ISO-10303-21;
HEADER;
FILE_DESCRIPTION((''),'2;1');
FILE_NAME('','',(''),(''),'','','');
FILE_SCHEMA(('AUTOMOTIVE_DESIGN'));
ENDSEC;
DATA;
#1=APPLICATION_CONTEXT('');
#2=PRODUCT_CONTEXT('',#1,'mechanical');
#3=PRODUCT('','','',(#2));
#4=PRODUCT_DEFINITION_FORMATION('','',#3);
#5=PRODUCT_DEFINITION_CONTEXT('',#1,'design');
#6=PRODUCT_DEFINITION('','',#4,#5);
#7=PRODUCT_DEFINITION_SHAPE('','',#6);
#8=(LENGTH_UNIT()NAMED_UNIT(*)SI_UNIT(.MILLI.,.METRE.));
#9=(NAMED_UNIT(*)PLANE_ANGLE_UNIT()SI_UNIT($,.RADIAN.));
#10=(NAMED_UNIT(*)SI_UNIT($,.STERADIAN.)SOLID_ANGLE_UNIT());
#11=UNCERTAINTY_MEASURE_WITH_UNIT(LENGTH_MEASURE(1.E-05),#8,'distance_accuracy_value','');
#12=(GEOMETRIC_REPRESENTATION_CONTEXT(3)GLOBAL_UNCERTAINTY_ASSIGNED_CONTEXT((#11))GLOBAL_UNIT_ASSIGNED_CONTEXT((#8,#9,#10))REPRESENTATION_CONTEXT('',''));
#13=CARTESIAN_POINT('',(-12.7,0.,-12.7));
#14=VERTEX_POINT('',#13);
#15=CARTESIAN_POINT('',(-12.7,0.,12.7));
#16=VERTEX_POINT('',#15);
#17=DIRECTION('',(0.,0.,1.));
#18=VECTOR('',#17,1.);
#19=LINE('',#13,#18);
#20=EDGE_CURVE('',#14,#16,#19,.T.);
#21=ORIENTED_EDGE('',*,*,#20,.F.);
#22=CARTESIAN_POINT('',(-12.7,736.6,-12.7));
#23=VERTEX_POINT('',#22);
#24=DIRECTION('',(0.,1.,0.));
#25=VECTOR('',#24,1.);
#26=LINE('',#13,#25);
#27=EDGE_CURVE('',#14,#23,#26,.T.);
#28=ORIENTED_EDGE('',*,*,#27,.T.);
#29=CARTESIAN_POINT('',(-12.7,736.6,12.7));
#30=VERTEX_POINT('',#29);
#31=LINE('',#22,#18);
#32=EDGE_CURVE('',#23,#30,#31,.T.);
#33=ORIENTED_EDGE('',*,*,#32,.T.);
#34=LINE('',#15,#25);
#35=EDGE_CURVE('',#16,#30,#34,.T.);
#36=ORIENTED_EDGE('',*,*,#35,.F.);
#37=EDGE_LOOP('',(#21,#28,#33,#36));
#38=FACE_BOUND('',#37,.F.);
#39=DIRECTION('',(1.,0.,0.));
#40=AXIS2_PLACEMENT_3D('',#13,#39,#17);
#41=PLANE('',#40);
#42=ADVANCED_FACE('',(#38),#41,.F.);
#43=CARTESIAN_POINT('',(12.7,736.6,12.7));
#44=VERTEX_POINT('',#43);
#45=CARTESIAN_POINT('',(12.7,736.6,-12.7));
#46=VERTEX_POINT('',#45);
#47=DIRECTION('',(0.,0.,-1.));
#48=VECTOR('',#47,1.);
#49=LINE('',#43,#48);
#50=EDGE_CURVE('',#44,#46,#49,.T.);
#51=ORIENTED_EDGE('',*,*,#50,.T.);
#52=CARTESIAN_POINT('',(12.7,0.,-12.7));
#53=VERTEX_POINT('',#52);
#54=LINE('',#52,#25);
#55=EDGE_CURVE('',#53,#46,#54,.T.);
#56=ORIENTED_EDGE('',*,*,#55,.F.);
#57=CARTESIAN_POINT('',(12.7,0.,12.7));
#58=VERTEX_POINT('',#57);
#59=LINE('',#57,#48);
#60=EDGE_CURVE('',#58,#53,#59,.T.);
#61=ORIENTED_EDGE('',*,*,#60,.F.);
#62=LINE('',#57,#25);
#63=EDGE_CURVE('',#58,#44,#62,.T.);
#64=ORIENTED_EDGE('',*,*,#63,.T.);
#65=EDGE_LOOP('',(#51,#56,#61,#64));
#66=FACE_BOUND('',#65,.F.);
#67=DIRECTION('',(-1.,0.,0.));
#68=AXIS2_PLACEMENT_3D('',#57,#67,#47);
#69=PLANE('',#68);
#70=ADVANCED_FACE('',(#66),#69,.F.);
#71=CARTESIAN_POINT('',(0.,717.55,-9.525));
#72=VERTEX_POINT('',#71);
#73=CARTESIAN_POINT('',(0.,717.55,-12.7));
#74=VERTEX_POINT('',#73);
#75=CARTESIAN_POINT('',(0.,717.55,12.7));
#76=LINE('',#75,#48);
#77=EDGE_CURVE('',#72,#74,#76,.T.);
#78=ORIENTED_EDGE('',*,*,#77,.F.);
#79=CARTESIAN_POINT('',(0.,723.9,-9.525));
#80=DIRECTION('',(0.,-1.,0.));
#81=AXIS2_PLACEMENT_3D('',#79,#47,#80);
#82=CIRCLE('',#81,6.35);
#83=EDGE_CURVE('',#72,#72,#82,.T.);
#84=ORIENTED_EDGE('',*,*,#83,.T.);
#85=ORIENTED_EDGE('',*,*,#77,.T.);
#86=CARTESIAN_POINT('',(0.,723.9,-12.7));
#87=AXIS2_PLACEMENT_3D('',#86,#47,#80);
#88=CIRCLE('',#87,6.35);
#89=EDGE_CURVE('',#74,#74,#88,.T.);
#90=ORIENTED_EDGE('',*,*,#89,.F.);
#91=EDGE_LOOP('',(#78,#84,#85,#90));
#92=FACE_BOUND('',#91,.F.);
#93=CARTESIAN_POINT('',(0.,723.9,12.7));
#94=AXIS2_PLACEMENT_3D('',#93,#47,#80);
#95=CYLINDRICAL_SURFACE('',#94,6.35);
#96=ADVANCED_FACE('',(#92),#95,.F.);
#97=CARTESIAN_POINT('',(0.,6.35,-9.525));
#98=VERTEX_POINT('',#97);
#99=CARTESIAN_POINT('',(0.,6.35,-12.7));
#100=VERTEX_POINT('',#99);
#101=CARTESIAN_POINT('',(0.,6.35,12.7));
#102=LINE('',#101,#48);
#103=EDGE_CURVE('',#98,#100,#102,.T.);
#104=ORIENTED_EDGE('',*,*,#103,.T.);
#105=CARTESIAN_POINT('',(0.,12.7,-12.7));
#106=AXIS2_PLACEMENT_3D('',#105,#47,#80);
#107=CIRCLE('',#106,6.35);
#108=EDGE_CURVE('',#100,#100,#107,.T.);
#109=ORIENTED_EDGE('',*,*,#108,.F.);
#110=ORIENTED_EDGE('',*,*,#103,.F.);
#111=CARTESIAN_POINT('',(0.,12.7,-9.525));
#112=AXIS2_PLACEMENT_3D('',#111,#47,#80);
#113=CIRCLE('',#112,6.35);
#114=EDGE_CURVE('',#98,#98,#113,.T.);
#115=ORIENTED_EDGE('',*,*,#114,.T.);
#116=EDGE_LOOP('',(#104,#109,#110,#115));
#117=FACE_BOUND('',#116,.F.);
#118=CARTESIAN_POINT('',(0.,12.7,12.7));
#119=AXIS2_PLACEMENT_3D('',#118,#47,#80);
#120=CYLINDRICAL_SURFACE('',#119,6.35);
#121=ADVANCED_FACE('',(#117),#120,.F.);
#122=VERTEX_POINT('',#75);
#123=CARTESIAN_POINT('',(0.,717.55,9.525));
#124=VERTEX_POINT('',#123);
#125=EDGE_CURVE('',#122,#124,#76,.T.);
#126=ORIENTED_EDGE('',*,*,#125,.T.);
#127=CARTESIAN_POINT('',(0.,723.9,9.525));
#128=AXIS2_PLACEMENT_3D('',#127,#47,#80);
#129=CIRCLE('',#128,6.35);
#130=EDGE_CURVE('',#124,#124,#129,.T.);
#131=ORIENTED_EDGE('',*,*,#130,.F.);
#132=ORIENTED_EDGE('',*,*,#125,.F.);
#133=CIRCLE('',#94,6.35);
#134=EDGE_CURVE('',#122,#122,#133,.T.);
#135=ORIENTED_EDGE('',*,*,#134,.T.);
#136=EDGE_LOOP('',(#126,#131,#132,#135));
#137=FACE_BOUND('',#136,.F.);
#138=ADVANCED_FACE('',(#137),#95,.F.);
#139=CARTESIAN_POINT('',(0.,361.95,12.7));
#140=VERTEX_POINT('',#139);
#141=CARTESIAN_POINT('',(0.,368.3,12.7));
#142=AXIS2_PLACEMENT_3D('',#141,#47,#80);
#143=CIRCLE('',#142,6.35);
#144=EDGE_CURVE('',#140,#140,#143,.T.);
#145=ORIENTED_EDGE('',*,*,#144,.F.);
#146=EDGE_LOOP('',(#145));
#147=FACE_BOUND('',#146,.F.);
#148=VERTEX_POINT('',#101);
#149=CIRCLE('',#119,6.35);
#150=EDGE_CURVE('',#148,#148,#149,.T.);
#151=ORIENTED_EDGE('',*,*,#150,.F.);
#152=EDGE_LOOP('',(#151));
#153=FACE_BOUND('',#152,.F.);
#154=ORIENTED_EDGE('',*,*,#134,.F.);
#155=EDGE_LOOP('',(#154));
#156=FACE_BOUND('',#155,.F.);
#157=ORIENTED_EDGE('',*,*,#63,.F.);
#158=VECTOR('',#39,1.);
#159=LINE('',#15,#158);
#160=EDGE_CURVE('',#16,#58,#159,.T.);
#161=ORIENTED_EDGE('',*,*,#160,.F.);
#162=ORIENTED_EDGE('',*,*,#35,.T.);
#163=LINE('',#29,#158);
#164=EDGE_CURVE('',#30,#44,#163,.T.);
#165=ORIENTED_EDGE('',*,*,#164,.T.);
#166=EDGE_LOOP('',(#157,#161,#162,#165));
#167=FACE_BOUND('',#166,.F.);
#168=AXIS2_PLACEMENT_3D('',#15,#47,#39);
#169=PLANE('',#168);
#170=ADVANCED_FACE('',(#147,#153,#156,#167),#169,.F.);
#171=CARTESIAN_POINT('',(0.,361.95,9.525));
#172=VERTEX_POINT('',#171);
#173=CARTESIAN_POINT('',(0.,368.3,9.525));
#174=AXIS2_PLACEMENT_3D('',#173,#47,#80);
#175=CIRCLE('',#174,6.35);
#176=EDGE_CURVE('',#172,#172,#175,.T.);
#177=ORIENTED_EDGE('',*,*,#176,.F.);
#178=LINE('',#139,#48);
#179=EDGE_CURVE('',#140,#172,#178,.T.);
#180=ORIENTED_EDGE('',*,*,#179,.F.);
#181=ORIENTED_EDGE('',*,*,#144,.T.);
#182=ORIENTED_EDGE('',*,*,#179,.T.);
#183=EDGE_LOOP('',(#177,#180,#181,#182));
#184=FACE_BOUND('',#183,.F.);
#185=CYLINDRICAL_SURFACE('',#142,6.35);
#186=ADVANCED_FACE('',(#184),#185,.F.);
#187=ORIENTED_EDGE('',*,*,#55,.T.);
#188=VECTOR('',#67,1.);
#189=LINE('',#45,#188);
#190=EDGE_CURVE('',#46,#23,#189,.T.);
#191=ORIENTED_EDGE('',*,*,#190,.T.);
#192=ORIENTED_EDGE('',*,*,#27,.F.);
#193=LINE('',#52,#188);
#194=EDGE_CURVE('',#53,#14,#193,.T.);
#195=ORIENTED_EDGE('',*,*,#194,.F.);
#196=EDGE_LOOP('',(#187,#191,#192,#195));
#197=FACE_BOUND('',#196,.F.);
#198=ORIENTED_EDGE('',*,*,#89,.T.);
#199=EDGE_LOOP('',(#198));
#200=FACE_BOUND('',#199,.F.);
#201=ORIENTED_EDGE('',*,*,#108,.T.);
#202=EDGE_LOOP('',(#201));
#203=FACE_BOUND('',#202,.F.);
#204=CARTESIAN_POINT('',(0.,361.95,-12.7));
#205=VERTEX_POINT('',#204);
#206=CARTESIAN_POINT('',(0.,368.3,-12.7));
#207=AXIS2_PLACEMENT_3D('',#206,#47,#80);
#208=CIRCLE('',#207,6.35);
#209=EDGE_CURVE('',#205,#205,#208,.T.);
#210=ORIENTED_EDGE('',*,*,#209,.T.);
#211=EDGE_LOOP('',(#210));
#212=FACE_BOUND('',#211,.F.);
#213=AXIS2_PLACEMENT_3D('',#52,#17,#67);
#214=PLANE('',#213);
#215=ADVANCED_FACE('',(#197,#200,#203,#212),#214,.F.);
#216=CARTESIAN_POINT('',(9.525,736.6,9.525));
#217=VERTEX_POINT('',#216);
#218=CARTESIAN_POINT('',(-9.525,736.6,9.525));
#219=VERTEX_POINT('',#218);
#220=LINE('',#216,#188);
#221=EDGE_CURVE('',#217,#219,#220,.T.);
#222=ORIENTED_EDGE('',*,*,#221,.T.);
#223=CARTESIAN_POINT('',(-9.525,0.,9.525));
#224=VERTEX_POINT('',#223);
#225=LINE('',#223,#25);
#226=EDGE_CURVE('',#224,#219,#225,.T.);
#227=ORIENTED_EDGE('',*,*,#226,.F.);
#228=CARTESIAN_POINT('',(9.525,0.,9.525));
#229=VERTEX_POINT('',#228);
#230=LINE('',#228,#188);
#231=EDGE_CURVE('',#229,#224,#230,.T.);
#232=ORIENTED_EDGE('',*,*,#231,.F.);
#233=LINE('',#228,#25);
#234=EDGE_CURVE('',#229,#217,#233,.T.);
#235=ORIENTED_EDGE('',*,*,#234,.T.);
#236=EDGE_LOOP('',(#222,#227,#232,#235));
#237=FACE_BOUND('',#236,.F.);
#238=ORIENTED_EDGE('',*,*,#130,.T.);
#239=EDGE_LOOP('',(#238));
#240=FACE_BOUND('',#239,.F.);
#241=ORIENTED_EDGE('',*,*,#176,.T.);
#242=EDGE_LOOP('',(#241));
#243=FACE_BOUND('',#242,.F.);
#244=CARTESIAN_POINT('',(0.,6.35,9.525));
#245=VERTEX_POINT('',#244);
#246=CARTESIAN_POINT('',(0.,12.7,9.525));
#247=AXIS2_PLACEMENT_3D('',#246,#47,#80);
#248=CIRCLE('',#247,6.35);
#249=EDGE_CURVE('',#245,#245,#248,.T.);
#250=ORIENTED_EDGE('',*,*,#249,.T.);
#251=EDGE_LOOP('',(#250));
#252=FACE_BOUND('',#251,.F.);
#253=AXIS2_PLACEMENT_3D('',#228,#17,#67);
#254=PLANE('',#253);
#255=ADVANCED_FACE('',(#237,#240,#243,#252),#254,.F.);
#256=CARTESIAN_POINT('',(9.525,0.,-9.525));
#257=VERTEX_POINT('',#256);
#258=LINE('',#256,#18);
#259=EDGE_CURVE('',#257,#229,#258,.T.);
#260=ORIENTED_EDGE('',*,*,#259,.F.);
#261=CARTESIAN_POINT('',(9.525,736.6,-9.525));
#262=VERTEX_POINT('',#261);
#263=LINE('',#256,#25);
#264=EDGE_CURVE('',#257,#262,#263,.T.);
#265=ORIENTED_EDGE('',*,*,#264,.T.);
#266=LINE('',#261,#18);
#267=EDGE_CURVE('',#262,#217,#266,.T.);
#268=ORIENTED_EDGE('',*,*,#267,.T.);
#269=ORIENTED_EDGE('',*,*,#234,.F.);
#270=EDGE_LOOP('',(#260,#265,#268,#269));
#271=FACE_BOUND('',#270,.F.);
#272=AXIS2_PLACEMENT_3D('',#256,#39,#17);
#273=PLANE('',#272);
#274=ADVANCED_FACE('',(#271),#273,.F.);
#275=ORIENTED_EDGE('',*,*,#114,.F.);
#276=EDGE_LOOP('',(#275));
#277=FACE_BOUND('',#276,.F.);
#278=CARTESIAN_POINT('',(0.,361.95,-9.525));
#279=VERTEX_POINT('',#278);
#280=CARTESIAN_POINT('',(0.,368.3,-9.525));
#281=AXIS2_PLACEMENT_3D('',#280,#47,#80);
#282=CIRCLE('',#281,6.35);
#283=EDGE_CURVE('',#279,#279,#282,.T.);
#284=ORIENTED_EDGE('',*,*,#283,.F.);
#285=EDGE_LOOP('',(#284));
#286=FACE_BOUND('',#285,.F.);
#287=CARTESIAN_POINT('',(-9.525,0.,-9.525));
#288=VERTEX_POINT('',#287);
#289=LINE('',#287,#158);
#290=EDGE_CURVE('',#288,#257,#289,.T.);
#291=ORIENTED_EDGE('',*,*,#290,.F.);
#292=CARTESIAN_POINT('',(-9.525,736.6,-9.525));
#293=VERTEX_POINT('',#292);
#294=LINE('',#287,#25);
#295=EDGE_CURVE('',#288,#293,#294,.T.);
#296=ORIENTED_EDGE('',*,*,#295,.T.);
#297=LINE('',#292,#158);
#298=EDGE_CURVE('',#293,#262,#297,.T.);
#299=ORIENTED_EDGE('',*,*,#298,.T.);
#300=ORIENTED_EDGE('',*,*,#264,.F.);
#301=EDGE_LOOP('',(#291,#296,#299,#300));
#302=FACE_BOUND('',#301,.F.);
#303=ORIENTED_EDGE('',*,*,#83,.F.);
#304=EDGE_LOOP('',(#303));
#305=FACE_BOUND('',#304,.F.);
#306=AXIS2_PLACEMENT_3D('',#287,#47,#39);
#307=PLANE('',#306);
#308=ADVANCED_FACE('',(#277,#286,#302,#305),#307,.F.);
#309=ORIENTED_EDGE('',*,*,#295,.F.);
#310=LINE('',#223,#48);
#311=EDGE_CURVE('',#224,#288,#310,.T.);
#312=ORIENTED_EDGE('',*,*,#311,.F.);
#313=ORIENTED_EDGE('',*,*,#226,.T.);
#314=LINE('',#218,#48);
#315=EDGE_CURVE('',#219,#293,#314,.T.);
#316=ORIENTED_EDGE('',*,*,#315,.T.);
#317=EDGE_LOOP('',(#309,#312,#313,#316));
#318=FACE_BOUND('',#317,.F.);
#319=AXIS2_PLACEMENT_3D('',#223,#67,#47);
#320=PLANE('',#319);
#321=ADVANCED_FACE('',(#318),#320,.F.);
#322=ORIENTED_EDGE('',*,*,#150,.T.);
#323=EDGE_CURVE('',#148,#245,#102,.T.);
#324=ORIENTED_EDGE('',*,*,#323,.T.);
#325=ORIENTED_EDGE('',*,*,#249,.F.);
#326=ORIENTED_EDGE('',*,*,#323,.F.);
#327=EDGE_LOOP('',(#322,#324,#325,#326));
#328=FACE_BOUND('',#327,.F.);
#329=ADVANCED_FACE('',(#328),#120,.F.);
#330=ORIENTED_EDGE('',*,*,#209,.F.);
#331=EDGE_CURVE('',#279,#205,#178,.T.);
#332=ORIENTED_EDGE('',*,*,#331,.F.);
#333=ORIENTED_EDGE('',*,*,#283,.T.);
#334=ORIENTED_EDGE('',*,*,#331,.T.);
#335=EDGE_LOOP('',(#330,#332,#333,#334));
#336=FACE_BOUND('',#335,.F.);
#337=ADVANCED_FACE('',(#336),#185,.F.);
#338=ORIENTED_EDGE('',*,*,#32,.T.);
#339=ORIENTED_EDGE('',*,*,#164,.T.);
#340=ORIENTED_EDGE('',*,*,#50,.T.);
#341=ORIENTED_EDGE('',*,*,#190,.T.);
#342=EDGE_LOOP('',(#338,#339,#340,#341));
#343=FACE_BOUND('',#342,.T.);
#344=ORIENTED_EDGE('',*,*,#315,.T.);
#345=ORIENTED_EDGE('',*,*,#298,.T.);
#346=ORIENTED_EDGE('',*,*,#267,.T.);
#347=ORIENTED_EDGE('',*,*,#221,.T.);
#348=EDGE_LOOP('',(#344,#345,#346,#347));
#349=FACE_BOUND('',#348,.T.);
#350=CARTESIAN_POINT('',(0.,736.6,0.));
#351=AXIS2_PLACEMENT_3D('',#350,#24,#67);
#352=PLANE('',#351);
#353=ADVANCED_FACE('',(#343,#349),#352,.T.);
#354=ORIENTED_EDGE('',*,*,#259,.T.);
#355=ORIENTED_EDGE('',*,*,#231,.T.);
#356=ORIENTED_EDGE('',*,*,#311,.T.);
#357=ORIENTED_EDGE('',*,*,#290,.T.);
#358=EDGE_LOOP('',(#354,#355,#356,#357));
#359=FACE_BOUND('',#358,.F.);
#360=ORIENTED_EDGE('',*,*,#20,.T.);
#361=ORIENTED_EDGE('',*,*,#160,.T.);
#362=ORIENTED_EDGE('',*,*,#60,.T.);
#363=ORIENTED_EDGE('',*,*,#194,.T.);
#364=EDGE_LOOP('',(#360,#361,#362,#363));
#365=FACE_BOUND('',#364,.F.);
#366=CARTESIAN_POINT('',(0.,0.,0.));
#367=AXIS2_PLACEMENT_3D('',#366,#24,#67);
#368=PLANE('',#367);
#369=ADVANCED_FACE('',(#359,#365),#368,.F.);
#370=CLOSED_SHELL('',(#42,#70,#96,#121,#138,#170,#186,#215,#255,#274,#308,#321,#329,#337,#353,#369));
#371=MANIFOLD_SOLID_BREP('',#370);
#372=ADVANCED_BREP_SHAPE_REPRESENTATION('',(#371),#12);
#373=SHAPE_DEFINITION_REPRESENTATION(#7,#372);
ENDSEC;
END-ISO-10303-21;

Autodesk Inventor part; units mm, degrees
ref_plane "YZ Plane" through (0, 0, 0) normal (1, 0, 0) x (0, 1, 0)
ref_plane "XZ Plane" through (0, 0, 0) normal (0, 1, 0) x (-1, 0, 0)
ref_plane "XY Plane" through (0, 0, 0) normal (0, 0, 1) x (1, 0, 0)
sketch "Sketch1" plane through (0, 0, 0) normal (0, 1, 0) x (-1, 0, 0)
  line L0 (12.7, 12.7) -> (-12.7, 12.7)
  line L1 (-12.7, 12.7) -> (-12.7, -12.7)
  line L2 (-12.7, -12.7) -> (12.7, -12.7)
  line L3 (12.7, -12.7) -> (12.7, 12.7)
  line L4 (-9.525, 9.525) -> (9.525, 9.525)
  line L5 (9.525, 9.525) -> (9.525, -9.525)
  line L6 (9.525, -9.525) -> (-9.525, -9.525)
  line L7 (-9.525, -9.525) -> (-9.525, 9.525)
  point P0 (0, 0)
  point P1 (12.7, 0)
  point P2 (0, -12.7)
  dimension "d0" = 25.4
  dimension "d1" = 25.4
  dimension "d2" = 3.175
extrude "Extrusion1" add sketch "Sketch1" along normal blind 736.6
sketch "Sketch2" plane through (-12.7, 0, 12.7) normal (0, 0, 1) x (1, 0, 0)
  line L0 (0, 736.6) -> (25.4, 736.6) projected
  line L1 (0, 0) -> (25.4, 0) projected
  point P0 (12.7, 0)
  point P1 (12.7, 12.7)
  point P2 (12.7, 723.9)
  point P3 (12.7, 368.3)
  dimension "d5" = 12.7
  dimension "d6" = 12.7
  dimension "d7" = 368.3
hole "Hole1" at (0, 12.7, 12.7) at (0, 723.9, 12.7) at (0, 368.3, 12.7) direction (0, 0, -1) diameter 12.7 end through all
sketch "Sketch3" plane through (-12.7, 0, 12.7) normal (0, 0, 1) x (1, 0, 0)
  line L0 (22.3523, 119.127) -> (22.3523, 87.2161) construction
  line L1 (22.3523, 87.2161) -> (-37.8014, 87.2161) construction
  line L2 (-37.8014, 87.2161) -> (-37.8014, 119.127) construction
  line L3 (-37.8014, 119.127) -> (22.3523, 119.127) construction
  point P0 (12.7, 0)
equation "\"d0\" = Tube_size"
equation "\"d1\" = Tube_size"
equation "\"d2\" = Wall_Thickness"
equation "\"d3\" = Bar1_2_Length"
equation "\"d5\" = Uper_Pivit_Offset_FromEdge"
equation "\"d6\" = Lower_Pivit_Offset_FromEdge"
equation "\"d7\" = Bar1_2_Center_Pivit_Offset_FromEdge"
equation "\"d8\" = Pin_Size"
equation "\"Bar1_1_Length\" = 736.6"
equation "\"Tube_size_1\" = 25.4"
equation "\"Wall_Thickness_1\" = 3.175"
equation "\"Lower_Pivit_Offset_FromEdge\" = 12.7"
equation "\"Uper_Pivit_Offset_FromEdge\" = 12.7"
equation "\"Bar1_1_Center_Pivit_Offset_FromEdge\" = 368.3"
equation "\"Bar1_2_Length\" = 736.6"
equation "\"Bar2_1_Length\" = 736.6"
equation "\"Bar2_2_Length\" = 736.6"
equation "\"Bar3_1_Length\" = 736.6"
equation "\"Bar3_2_Length\" = 736.6"
equation "\"Tube_size\" = 25.4"
equation "\"Wall_Thickness\" = 3.175"
equation "\"Bar1_2_Center_Pivit_Offset_FromEdge\" = 368.3"
equation "\"Bar2_1_Center_Pivit_Offset_FromEdge\" = 368.3"
equation "\"Bar2_2_Center_Pivit_Offset_FromEdge\" = 368.3"
equation "\"Bar3_1_Center_Pivit_Offset_FromEdge\" = 368.3"
equation "\"Bar4_2_Center_Pivit_Offset_FromEdge\" = 355.6"
equation "\"Pin_Size\" = 12.7"
equation "\"Bar3_2_Center_Pivit_Offset_FromEdge\" = 368.3"
properties part number "2018 Bar1_2"
